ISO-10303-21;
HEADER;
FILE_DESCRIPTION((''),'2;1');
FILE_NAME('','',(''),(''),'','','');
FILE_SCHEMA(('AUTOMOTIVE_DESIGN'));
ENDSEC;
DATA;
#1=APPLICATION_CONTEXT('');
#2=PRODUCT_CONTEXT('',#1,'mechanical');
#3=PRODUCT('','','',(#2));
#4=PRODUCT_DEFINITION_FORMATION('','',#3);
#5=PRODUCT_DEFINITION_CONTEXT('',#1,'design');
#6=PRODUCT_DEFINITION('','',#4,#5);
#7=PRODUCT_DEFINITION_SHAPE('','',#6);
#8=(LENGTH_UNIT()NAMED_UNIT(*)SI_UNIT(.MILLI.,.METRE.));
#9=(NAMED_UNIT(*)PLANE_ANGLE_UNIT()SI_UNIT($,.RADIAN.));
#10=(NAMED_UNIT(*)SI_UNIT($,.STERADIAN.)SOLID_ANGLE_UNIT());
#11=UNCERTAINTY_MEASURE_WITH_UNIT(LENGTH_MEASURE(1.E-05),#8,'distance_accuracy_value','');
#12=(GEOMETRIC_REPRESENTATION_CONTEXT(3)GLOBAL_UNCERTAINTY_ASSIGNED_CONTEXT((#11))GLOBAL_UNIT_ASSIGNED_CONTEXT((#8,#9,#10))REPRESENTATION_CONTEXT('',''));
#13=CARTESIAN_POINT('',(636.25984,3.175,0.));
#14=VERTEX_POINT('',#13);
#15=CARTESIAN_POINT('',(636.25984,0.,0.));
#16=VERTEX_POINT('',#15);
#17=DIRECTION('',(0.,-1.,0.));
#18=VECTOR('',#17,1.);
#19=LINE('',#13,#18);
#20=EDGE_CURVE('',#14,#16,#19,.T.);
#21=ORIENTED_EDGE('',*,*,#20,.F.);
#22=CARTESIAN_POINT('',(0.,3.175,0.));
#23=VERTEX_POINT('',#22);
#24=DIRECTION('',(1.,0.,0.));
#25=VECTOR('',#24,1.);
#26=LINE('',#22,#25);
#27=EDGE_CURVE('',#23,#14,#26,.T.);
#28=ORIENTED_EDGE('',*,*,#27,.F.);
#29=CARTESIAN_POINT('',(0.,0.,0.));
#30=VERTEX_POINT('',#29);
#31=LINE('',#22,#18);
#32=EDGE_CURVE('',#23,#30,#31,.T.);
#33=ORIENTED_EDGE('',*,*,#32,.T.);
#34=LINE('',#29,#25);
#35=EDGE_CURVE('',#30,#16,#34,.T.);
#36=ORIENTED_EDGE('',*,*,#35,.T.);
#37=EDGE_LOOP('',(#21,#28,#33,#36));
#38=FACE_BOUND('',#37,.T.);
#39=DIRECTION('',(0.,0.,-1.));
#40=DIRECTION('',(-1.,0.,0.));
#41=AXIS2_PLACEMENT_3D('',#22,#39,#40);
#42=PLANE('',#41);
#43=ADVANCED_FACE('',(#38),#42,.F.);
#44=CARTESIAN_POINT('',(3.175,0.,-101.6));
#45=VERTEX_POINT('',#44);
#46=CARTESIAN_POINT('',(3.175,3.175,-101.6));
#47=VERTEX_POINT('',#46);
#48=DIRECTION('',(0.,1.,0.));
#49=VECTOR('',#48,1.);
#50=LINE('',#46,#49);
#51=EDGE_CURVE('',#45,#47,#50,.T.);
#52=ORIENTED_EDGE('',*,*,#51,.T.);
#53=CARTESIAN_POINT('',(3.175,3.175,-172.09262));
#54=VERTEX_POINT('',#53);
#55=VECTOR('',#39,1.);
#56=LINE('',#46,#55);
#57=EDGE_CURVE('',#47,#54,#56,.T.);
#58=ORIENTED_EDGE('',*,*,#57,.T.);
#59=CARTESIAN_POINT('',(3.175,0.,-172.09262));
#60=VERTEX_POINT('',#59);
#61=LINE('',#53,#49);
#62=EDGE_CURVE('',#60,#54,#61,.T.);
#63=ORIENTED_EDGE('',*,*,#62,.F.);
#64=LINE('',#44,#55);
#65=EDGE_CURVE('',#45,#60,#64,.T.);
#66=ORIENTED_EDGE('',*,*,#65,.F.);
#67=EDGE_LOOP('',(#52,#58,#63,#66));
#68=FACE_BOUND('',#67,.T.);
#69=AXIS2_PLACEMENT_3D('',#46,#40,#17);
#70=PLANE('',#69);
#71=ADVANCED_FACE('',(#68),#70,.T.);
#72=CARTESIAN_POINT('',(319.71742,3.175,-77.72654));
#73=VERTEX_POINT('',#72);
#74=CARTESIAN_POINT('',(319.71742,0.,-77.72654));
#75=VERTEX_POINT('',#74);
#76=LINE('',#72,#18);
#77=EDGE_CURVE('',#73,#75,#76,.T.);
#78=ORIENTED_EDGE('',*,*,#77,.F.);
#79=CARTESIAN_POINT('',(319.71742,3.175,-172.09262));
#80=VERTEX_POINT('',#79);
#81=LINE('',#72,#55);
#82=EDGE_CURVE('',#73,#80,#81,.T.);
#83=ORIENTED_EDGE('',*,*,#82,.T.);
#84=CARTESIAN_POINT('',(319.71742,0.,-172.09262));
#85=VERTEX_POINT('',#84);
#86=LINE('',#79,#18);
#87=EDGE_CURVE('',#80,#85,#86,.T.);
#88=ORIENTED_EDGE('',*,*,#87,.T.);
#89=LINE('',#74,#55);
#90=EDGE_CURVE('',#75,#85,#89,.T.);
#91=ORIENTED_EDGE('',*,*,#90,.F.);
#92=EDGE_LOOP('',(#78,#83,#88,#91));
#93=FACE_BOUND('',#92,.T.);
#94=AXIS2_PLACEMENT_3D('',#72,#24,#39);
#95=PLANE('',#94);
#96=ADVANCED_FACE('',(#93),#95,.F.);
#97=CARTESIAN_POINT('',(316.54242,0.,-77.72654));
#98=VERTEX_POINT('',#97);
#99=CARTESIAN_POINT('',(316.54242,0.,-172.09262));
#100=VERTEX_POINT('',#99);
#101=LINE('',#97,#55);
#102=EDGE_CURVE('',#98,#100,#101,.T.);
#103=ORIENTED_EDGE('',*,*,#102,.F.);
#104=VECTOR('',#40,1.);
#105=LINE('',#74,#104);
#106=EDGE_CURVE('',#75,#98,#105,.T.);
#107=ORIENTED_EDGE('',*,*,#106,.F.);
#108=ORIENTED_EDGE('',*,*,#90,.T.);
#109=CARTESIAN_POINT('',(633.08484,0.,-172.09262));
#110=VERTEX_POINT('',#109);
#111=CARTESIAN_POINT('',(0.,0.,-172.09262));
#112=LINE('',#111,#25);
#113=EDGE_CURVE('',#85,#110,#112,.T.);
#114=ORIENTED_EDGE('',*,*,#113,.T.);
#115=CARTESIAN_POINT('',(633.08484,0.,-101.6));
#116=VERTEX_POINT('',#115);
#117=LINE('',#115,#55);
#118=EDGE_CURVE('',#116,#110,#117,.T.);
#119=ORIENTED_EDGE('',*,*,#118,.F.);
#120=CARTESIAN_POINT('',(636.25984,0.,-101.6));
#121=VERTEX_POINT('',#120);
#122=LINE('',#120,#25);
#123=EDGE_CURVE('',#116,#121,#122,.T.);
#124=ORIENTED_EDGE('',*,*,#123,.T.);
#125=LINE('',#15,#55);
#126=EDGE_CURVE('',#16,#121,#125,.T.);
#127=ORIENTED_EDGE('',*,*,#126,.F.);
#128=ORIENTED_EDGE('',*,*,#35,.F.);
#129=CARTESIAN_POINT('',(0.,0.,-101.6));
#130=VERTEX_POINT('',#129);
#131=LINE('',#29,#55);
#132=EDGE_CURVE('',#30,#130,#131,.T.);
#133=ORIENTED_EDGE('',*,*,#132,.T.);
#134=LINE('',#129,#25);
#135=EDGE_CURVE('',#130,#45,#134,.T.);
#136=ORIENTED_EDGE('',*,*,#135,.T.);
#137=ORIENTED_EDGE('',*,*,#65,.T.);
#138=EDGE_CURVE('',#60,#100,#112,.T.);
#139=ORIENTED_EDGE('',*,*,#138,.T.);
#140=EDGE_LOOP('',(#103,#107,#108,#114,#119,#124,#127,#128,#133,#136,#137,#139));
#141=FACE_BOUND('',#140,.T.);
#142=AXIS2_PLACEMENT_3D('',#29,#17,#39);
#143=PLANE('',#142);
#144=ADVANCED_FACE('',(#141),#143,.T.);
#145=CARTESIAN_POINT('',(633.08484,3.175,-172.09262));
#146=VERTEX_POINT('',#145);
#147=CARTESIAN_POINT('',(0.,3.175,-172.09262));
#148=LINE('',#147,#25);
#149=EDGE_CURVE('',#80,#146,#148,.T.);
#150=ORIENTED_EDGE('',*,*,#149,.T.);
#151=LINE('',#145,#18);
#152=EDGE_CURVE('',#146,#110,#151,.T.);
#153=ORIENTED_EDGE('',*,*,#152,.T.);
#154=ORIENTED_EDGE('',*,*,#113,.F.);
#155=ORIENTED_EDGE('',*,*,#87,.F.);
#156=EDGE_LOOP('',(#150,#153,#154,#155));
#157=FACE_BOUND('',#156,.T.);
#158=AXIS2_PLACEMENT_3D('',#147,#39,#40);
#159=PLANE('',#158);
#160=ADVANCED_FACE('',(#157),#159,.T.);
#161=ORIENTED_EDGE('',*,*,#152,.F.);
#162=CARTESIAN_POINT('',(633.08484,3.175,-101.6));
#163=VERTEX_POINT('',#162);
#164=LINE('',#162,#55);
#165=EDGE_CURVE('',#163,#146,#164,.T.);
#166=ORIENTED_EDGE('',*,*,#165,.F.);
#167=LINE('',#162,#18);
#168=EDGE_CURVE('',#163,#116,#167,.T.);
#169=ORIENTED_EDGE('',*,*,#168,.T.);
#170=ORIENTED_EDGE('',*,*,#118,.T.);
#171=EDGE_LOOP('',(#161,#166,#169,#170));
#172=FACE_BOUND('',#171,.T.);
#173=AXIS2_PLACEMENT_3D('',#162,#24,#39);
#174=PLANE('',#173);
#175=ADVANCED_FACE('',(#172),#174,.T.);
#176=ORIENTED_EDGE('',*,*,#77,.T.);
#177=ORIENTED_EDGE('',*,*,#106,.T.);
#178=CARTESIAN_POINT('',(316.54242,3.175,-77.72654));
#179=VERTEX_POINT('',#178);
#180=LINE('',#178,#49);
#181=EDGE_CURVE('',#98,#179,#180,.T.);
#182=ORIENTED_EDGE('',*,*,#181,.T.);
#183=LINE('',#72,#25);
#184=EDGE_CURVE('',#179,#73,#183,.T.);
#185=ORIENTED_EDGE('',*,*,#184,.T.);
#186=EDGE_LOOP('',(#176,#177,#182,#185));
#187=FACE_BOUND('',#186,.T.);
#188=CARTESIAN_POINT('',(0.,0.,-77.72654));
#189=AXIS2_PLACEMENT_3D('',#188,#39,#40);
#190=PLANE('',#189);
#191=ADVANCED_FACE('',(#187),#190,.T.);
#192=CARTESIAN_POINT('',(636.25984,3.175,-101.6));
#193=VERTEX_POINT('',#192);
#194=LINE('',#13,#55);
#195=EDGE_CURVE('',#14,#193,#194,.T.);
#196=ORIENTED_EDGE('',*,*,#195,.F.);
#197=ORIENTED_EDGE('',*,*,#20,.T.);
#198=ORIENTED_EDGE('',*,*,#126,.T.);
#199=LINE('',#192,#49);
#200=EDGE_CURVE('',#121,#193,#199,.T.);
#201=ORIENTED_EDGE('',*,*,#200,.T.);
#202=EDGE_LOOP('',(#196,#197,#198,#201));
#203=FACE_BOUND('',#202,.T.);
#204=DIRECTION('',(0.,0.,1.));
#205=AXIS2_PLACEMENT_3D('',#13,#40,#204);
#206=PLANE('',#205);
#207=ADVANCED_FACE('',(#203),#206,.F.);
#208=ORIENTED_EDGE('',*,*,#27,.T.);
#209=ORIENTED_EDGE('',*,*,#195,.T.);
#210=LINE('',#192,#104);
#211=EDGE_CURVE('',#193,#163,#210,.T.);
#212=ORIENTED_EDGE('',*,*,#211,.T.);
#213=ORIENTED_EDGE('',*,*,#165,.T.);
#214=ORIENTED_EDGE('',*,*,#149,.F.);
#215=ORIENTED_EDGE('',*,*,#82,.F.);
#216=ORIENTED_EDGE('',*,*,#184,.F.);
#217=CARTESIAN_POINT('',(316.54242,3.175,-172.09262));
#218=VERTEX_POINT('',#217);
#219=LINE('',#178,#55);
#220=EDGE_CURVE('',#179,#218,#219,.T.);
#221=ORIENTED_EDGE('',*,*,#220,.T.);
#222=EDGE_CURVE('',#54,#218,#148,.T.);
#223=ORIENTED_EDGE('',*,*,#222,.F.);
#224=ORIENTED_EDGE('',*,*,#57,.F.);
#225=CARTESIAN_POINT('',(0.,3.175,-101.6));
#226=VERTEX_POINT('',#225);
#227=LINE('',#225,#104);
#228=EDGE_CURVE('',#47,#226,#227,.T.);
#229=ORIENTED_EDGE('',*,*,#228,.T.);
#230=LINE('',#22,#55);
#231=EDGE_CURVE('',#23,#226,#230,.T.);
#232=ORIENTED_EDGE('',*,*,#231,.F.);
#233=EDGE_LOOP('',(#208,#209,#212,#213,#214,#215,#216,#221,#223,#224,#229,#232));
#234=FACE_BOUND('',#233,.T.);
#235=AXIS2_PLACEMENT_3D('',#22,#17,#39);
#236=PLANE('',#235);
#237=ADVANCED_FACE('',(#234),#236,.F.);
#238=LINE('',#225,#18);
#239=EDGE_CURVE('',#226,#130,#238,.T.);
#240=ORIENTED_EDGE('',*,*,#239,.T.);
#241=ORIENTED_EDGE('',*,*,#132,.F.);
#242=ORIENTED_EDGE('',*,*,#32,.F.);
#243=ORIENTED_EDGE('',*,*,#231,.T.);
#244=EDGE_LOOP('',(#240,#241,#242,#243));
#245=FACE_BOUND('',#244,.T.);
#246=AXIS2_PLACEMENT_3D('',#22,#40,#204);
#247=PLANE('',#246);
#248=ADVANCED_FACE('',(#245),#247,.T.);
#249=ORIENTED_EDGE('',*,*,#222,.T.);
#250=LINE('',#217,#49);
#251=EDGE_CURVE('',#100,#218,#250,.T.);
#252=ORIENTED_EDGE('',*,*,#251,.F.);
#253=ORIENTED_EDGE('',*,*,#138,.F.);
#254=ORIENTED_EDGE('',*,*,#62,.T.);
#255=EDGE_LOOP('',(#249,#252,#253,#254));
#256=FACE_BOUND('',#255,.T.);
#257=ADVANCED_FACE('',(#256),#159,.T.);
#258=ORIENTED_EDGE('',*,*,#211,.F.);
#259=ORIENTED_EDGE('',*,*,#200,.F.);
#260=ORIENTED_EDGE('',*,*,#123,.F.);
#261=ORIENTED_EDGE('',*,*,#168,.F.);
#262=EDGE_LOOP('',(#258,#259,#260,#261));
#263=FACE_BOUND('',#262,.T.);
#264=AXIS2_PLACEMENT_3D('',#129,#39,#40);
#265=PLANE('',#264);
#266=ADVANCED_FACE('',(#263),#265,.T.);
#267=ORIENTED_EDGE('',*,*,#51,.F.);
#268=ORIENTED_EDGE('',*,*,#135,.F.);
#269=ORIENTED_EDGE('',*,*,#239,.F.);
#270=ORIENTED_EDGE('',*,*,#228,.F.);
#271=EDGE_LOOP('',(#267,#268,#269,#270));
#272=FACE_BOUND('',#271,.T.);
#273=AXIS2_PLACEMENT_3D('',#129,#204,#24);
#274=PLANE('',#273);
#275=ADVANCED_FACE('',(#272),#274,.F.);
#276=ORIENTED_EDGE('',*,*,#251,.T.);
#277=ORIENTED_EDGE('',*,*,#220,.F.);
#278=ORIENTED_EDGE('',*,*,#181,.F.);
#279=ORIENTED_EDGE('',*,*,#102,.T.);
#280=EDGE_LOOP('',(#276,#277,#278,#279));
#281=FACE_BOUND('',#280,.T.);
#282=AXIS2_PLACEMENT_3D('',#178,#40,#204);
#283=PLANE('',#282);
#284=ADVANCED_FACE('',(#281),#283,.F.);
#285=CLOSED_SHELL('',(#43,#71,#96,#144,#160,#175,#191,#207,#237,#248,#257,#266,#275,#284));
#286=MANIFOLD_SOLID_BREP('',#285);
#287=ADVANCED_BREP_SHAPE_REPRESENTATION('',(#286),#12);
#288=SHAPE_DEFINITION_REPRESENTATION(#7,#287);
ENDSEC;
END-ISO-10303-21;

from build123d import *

# Parameters (mm, degrees)
SKETCH1_W           = 636.25984
SKETCH1_H           = 172.09262
BOSS_EXTRUDE1_DEPTH = 3.175
SKETCH2_W           = 3.175
SKETCH2_H           = 3.175
CUT_EXTRUDE1_DEPTH  = 94.36608
SKETCH3_W           = 3.175
SKETCH3_H           = 3.175
CUT_EXTRUDE5_DEPTH  = 70.49262


with BuildPart() as part:
    # Sketch1 → Boss-Extrude1 (new body)
    with BuildSketch(Plane(origin=(0, 0, 0), x_dir=(1, 0, 0), z_dir=(0, 1, 0))):
        with Locations((318.12992, 86.04631)):
            Rectangle(SKETCH1_W, SKETCH1_H)
    extrude(amount=BOSS_EXTRUDE1_DEPTH)

    # Sketch2 → Cut-Extrude1 (cut)
    with BuildSketch(Plane(origin=(0, 0, -172.09262), x_dir=(-1, 0, 0), z_dir=(0, 0, -1))):
        with Locations((-318.12992, 1.5875)):
            Rectangle(SKETCH2_W, SKETCH2_H)
    extrude(amount=-CUT_EXTRUDE1_DEPTH, mode=Mode.SUBTRACT)

    # Sketch3 → Cut-Extrude5 (cut)
    with BuildSketch(Plane.XY.offset(-172.09262)):
        with Locations((1.5875, 1.5875)):
            Rectangle(SKETCH3_W, SKETCH3_H)
        with Locations((634.67234, 1.5875)):
            Rectangle(SKETCH3_W, SKETCH3_H)
    extrude(amount=CUT_EXTRUDE5_DEPTH, mode=Mode.SUBTRACT)


solid = part.part
